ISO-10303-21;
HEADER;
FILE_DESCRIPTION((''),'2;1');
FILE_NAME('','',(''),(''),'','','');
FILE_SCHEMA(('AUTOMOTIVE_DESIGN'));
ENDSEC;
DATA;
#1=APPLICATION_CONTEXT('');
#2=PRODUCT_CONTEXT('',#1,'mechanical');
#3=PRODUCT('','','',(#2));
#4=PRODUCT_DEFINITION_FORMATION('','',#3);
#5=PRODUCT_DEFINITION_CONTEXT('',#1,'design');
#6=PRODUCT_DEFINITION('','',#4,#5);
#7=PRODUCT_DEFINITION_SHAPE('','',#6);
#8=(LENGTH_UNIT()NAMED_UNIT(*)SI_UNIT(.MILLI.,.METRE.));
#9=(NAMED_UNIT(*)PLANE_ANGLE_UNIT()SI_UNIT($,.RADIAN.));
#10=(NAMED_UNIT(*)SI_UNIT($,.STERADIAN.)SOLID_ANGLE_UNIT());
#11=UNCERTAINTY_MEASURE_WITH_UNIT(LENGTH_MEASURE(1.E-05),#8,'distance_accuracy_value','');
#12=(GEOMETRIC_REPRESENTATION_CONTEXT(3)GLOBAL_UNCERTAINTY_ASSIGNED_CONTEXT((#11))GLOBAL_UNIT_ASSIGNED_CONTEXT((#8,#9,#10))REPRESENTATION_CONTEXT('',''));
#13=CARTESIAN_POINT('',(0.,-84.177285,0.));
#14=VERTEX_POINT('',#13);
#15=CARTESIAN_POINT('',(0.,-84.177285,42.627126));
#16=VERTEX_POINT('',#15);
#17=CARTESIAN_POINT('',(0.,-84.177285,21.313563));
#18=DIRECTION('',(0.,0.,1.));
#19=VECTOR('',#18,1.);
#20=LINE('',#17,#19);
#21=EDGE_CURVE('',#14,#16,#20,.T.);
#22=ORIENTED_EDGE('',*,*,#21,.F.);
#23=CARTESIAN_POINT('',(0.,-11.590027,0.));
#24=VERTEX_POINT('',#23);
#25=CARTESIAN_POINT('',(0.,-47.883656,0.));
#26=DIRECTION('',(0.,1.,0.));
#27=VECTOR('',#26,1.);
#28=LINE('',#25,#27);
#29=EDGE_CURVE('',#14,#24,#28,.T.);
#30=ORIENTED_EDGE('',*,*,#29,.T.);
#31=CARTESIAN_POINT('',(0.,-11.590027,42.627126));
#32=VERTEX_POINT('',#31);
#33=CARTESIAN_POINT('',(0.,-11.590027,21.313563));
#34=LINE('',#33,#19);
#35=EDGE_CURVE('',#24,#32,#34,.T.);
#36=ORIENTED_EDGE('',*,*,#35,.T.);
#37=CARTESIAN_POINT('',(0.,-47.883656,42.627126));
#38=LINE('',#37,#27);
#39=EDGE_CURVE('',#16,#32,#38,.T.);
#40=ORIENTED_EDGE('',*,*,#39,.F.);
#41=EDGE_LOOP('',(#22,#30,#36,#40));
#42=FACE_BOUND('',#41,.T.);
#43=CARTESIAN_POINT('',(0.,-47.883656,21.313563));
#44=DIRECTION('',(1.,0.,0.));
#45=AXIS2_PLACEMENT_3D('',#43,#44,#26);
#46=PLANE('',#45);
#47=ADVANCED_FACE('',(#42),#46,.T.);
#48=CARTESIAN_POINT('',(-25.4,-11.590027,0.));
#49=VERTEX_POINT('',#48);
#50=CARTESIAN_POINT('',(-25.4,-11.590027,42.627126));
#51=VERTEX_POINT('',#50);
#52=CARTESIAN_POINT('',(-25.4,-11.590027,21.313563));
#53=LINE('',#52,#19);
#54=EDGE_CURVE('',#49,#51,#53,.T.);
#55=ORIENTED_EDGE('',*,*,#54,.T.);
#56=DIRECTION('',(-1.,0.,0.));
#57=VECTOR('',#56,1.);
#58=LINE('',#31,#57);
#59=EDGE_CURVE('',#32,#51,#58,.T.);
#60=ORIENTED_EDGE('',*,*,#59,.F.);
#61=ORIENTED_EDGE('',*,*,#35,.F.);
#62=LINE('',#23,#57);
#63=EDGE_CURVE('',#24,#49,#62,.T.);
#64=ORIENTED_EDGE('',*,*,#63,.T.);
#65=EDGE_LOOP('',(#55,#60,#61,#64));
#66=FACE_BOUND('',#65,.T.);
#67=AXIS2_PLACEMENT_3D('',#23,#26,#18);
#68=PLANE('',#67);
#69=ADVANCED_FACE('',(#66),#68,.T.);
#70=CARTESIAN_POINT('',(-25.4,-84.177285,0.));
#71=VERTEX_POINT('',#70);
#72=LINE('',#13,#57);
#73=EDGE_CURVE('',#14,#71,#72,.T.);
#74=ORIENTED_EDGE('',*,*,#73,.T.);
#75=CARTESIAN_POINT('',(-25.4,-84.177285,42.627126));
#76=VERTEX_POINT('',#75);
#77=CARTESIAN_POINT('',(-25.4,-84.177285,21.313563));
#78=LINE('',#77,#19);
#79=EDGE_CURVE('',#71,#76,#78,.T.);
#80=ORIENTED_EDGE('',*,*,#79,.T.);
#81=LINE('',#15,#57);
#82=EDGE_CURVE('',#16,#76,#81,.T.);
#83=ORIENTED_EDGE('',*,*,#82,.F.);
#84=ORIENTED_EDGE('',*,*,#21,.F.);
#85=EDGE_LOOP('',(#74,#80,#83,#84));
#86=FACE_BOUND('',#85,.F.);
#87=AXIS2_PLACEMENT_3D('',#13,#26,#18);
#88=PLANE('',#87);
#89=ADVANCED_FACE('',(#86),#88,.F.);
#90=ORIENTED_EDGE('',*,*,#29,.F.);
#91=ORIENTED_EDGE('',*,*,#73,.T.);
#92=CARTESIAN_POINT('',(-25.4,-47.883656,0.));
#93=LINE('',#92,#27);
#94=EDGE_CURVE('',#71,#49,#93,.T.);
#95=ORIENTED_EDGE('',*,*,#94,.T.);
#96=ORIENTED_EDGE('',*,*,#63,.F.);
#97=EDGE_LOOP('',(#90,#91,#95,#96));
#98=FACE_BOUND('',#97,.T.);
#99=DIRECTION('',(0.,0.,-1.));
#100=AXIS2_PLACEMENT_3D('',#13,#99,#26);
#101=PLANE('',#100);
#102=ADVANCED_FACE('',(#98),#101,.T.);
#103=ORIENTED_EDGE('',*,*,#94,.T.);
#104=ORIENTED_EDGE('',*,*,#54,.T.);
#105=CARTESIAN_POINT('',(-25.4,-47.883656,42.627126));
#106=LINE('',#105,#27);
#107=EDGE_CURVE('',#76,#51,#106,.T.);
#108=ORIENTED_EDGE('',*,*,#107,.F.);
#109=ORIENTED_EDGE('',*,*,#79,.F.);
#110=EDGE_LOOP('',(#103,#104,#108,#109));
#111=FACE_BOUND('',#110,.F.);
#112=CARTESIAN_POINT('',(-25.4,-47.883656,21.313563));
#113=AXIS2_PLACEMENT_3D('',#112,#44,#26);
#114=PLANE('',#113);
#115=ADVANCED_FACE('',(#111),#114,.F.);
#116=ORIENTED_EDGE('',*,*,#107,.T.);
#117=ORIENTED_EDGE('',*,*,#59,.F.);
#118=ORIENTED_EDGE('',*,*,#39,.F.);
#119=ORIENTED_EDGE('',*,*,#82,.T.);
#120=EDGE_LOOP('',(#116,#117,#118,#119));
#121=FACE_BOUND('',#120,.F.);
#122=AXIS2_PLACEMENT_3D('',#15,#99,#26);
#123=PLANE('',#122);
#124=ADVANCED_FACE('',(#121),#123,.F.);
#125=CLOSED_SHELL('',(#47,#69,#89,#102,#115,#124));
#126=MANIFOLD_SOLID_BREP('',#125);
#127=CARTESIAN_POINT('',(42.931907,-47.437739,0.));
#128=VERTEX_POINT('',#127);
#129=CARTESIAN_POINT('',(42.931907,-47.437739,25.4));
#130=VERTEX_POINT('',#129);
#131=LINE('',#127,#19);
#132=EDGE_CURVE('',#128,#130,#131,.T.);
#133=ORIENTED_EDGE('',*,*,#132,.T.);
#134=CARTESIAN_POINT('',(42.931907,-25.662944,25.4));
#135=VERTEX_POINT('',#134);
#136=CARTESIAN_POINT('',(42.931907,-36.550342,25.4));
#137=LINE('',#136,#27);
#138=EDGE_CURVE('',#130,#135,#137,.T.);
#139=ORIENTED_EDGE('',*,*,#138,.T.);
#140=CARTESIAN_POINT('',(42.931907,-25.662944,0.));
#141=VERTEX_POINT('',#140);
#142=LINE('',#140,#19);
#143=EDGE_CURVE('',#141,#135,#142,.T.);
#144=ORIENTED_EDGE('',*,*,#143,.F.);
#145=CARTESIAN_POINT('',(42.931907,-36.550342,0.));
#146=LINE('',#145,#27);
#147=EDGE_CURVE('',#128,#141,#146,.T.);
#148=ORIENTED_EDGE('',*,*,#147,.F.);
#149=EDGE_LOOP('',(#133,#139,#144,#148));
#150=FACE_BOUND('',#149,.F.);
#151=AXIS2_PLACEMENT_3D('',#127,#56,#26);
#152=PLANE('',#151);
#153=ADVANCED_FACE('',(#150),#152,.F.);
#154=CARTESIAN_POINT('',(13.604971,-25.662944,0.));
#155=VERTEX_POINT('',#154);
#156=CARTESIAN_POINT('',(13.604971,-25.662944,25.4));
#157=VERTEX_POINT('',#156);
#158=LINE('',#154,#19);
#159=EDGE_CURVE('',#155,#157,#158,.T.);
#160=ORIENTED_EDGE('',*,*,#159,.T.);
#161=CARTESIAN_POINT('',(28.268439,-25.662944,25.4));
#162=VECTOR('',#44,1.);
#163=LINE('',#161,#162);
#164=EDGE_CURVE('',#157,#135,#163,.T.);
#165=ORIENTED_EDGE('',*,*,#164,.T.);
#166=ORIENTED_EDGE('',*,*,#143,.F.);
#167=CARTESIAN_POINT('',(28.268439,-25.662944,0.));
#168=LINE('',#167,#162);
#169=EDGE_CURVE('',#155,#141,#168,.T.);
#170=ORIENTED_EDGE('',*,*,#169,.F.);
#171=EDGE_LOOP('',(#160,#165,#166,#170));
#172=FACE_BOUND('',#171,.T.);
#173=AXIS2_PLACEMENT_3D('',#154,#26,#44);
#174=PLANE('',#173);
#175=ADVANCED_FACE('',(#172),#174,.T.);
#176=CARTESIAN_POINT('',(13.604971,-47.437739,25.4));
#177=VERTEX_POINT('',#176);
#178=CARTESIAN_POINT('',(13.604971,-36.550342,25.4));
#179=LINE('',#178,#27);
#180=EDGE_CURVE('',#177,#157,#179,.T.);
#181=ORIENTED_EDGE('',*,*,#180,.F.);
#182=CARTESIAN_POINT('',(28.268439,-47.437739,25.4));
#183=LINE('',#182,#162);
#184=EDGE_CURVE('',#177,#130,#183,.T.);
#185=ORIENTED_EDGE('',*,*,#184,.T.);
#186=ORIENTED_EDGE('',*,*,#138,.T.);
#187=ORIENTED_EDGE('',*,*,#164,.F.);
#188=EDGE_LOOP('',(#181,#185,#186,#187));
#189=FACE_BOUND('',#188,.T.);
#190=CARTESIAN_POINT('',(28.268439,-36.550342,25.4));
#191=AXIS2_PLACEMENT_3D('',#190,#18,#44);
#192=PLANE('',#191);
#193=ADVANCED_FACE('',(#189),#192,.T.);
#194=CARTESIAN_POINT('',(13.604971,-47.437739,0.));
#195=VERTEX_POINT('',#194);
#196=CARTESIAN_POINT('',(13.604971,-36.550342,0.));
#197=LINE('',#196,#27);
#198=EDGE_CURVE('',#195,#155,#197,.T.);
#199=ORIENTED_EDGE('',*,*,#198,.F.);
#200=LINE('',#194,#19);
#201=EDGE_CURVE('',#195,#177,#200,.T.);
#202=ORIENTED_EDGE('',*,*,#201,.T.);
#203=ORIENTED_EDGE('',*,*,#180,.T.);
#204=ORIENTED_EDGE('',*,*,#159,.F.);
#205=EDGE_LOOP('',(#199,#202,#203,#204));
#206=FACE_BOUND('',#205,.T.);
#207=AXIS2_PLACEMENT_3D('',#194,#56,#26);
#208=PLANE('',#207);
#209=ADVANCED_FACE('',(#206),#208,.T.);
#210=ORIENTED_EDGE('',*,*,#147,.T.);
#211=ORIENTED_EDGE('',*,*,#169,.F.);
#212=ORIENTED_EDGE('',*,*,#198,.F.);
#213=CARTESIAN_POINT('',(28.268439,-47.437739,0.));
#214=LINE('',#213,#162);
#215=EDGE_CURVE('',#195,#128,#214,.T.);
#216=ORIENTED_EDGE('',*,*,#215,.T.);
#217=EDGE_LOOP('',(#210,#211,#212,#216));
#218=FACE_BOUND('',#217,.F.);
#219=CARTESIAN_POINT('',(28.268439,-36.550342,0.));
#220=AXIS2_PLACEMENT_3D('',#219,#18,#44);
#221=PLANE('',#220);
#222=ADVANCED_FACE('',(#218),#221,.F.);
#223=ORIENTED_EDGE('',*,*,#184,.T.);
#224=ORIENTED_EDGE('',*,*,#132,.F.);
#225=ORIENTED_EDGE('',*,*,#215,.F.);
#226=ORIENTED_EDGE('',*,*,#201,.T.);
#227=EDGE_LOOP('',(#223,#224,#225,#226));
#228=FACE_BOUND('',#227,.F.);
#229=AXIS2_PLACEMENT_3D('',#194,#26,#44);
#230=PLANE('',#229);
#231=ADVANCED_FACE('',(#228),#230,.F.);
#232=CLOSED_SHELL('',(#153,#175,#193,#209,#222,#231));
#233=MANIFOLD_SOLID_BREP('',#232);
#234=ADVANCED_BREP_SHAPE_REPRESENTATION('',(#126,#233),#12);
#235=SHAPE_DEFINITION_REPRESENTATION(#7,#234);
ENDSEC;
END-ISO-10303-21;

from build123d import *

# Parameters (mm, degrees)
F0_W     = 72.587258
F0_H     = 42.627126
F1_DEPTH = 25.4
F2_W     = 29.326936
F2_H     = 21.774795
F3_DEPTH = 25.4


with BuildPart() as f1:
    # F0 (on Right) → F1 (new body)
    with BuildSketch(Plane.YZ):
        with Locations((-47.883656, 21.313563)):
            Rectangle(F0_W, F0_H)
    extrude(amount=-F1_DEPTH)


with BuildPart() as f3:
    # F2 (on Top) → F3 (new body)
    with BuildSketch(Plane.XY):
        with Locations((28.268439, -36.550342)):
            Rectangle(F2_W, F2_H)
    extrude(amount=F3_DEPTH)


solid = Compound([f1.part, f3.part])
